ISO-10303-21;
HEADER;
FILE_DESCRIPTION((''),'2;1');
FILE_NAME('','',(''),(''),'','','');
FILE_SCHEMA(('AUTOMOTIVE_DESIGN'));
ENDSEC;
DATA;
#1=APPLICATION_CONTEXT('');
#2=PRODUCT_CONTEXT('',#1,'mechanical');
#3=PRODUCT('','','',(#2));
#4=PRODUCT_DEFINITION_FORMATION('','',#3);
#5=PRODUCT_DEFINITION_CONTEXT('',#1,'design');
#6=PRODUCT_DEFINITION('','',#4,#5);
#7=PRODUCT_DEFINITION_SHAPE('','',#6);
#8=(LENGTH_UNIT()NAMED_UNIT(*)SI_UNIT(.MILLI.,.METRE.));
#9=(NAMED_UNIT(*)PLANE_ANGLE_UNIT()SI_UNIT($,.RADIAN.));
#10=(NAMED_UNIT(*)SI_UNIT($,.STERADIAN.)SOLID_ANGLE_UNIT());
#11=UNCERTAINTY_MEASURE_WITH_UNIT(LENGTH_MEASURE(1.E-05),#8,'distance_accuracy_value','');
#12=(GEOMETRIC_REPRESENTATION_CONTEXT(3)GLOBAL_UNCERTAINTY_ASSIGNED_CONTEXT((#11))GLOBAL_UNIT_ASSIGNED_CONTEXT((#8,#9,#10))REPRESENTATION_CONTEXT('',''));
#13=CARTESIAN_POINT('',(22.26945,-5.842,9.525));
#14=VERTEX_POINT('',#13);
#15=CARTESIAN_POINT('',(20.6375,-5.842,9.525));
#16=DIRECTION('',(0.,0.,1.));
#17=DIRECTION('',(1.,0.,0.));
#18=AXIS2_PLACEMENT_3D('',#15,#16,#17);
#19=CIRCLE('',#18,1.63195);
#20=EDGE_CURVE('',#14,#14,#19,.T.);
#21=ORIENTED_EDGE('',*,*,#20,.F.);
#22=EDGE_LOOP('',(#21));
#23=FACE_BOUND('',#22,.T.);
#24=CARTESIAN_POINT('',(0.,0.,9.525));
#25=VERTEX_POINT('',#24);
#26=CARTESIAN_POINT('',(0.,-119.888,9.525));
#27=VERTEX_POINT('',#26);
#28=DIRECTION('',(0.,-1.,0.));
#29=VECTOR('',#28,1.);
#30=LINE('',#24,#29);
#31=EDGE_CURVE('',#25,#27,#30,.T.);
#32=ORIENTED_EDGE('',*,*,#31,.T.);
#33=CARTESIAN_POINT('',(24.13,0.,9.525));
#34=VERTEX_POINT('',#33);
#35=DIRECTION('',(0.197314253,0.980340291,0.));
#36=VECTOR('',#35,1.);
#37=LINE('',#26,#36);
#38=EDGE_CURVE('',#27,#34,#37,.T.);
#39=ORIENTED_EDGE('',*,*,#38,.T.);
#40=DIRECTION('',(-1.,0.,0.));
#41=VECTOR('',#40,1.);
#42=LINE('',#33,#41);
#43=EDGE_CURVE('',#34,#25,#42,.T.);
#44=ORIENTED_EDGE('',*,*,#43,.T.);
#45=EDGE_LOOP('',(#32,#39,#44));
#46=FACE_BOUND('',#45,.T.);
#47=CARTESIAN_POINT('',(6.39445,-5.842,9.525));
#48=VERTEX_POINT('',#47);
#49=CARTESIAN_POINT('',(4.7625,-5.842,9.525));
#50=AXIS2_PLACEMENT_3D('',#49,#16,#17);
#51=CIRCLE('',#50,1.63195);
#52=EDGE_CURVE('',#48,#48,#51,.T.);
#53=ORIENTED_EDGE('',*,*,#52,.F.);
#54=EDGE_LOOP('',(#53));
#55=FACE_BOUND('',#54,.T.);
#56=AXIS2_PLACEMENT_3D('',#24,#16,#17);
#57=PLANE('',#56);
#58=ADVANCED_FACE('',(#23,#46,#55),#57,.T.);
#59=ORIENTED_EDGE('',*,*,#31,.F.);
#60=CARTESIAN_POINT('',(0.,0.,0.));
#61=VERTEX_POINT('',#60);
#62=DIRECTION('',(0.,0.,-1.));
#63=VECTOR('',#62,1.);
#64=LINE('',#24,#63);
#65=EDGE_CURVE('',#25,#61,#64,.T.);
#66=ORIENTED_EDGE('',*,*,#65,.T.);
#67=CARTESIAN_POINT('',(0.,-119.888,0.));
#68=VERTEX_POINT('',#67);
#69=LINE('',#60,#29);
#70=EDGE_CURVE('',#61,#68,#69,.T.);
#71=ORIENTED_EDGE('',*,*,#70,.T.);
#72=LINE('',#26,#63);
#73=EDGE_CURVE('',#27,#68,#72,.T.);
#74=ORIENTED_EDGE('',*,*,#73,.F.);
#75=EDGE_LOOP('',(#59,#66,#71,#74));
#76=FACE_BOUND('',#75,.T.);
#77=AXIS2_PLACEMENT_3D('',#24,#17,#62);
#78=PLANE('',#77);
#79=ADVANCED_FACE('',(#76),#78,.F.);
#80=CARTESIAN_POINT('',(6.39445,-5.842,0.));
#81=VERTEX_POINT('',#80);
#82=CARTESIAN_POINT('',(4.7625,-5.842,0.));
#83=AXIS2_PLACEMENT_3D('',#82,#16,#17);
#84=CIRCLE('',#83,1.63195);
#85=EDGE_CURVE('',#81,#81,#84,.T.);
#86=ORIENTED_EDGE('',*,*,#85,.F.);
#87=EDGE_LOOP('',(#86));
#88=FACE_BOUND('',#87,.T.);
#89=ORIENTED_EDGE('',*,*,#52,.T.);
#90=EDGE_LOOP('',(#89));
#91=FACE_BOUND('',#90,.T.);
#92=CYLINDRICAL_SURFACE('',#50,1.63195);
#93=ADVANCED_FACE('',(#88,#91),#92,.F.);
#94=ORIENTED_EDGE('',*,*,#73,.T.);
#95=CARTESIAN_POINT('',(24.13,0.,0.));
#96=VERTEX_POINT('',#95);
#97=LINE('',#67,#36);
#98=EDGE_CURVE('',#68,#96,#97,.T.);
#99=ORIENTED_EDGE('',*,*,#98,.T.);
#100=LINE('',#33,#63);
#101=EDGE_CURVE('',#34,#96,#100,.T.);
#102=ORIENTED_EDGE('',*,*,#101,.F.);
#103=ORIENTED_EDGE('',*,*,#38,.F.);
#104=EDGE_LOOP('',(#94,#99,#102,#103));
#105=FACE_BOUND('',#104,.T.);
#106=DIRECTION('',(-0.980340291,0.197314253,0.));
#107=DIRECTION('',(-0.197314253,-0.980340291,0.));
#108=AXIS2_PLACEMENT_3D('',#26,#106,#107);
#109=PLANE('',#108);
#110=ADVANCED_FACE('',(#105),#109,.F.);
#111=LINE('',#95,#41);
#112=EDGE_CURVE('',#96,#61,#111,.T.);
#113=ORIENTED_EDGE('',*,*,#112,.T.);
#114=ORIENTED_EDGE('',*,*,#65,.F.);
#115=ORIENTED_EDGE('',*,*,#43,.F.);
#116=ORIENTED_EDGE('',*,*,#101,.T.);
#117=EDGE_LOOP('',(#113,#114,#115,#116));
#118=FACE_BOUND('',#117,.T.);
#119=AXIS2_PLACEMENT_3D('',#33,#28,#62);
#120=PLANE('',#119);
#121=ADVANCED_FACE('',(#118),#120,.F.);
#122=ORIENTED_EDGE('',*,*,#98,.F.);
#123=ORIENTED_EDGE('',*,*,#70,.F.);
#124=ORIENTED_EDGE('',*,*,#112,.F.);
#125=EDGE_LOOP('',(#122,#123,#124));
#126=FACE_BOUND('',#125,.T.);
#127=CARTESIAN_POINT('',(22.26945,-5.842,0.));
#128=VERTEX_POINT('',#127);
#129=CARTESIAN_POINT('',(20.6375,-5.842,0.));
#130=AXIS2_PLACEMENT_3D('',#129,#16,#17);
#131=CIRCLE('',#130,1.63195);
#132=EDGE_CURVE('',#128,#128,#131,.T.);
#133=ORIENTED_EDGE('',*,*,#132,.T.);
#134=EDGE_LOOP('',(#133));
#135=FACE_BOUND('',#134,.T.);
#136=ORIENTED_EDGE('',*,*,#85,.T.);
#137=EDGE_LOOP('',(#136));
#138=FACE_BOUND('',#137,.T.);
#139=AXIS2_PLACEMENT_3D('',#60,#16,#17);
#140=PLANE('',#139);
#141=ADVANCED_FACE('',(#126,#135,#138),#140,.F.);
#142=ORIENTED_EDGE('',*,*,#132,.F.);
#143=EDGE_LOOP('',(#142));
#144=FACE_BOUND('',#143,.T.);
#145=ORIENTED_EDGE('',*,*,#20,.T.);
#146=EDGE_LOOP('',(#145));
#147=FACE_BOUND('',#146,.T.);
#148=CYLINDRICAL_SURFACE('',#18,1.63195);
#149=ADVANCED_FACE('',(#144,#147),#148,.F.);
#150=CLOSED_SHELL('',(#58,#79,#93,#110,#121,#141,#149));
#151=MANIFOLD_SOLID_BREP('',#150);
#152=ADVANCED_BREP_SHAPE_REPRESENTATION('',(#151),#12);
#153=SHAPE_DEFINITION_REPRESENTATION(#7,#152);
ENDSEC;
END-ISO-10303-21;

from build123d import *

# Parameters (mm, degrees)
BOSS_EXTRUDE1_DEPTH   = 9.525
F_4_CLEARANCE_HOLE1_D = 3.2639


with BuildPart() as part:
    # Sketch1 → Boss-Extrude1 (new body)
    with BuildSketch(Plane.XY):
        Polygon((0, 0), (0, -119.888), (24.13, 0), align=None)
    extrude(amount=BOSS_EXTRUDE1_DEPTH)

    # #4 Clearance Hole1 (through all)
    with Locations(Plane.XY.offset(9.525)):
        with Locations((20.6375, -5.842), (4.7625, -5.842)):
            Hole(F_4_CLEARANCE_HOLE1_D / 2)


solid = part.part
